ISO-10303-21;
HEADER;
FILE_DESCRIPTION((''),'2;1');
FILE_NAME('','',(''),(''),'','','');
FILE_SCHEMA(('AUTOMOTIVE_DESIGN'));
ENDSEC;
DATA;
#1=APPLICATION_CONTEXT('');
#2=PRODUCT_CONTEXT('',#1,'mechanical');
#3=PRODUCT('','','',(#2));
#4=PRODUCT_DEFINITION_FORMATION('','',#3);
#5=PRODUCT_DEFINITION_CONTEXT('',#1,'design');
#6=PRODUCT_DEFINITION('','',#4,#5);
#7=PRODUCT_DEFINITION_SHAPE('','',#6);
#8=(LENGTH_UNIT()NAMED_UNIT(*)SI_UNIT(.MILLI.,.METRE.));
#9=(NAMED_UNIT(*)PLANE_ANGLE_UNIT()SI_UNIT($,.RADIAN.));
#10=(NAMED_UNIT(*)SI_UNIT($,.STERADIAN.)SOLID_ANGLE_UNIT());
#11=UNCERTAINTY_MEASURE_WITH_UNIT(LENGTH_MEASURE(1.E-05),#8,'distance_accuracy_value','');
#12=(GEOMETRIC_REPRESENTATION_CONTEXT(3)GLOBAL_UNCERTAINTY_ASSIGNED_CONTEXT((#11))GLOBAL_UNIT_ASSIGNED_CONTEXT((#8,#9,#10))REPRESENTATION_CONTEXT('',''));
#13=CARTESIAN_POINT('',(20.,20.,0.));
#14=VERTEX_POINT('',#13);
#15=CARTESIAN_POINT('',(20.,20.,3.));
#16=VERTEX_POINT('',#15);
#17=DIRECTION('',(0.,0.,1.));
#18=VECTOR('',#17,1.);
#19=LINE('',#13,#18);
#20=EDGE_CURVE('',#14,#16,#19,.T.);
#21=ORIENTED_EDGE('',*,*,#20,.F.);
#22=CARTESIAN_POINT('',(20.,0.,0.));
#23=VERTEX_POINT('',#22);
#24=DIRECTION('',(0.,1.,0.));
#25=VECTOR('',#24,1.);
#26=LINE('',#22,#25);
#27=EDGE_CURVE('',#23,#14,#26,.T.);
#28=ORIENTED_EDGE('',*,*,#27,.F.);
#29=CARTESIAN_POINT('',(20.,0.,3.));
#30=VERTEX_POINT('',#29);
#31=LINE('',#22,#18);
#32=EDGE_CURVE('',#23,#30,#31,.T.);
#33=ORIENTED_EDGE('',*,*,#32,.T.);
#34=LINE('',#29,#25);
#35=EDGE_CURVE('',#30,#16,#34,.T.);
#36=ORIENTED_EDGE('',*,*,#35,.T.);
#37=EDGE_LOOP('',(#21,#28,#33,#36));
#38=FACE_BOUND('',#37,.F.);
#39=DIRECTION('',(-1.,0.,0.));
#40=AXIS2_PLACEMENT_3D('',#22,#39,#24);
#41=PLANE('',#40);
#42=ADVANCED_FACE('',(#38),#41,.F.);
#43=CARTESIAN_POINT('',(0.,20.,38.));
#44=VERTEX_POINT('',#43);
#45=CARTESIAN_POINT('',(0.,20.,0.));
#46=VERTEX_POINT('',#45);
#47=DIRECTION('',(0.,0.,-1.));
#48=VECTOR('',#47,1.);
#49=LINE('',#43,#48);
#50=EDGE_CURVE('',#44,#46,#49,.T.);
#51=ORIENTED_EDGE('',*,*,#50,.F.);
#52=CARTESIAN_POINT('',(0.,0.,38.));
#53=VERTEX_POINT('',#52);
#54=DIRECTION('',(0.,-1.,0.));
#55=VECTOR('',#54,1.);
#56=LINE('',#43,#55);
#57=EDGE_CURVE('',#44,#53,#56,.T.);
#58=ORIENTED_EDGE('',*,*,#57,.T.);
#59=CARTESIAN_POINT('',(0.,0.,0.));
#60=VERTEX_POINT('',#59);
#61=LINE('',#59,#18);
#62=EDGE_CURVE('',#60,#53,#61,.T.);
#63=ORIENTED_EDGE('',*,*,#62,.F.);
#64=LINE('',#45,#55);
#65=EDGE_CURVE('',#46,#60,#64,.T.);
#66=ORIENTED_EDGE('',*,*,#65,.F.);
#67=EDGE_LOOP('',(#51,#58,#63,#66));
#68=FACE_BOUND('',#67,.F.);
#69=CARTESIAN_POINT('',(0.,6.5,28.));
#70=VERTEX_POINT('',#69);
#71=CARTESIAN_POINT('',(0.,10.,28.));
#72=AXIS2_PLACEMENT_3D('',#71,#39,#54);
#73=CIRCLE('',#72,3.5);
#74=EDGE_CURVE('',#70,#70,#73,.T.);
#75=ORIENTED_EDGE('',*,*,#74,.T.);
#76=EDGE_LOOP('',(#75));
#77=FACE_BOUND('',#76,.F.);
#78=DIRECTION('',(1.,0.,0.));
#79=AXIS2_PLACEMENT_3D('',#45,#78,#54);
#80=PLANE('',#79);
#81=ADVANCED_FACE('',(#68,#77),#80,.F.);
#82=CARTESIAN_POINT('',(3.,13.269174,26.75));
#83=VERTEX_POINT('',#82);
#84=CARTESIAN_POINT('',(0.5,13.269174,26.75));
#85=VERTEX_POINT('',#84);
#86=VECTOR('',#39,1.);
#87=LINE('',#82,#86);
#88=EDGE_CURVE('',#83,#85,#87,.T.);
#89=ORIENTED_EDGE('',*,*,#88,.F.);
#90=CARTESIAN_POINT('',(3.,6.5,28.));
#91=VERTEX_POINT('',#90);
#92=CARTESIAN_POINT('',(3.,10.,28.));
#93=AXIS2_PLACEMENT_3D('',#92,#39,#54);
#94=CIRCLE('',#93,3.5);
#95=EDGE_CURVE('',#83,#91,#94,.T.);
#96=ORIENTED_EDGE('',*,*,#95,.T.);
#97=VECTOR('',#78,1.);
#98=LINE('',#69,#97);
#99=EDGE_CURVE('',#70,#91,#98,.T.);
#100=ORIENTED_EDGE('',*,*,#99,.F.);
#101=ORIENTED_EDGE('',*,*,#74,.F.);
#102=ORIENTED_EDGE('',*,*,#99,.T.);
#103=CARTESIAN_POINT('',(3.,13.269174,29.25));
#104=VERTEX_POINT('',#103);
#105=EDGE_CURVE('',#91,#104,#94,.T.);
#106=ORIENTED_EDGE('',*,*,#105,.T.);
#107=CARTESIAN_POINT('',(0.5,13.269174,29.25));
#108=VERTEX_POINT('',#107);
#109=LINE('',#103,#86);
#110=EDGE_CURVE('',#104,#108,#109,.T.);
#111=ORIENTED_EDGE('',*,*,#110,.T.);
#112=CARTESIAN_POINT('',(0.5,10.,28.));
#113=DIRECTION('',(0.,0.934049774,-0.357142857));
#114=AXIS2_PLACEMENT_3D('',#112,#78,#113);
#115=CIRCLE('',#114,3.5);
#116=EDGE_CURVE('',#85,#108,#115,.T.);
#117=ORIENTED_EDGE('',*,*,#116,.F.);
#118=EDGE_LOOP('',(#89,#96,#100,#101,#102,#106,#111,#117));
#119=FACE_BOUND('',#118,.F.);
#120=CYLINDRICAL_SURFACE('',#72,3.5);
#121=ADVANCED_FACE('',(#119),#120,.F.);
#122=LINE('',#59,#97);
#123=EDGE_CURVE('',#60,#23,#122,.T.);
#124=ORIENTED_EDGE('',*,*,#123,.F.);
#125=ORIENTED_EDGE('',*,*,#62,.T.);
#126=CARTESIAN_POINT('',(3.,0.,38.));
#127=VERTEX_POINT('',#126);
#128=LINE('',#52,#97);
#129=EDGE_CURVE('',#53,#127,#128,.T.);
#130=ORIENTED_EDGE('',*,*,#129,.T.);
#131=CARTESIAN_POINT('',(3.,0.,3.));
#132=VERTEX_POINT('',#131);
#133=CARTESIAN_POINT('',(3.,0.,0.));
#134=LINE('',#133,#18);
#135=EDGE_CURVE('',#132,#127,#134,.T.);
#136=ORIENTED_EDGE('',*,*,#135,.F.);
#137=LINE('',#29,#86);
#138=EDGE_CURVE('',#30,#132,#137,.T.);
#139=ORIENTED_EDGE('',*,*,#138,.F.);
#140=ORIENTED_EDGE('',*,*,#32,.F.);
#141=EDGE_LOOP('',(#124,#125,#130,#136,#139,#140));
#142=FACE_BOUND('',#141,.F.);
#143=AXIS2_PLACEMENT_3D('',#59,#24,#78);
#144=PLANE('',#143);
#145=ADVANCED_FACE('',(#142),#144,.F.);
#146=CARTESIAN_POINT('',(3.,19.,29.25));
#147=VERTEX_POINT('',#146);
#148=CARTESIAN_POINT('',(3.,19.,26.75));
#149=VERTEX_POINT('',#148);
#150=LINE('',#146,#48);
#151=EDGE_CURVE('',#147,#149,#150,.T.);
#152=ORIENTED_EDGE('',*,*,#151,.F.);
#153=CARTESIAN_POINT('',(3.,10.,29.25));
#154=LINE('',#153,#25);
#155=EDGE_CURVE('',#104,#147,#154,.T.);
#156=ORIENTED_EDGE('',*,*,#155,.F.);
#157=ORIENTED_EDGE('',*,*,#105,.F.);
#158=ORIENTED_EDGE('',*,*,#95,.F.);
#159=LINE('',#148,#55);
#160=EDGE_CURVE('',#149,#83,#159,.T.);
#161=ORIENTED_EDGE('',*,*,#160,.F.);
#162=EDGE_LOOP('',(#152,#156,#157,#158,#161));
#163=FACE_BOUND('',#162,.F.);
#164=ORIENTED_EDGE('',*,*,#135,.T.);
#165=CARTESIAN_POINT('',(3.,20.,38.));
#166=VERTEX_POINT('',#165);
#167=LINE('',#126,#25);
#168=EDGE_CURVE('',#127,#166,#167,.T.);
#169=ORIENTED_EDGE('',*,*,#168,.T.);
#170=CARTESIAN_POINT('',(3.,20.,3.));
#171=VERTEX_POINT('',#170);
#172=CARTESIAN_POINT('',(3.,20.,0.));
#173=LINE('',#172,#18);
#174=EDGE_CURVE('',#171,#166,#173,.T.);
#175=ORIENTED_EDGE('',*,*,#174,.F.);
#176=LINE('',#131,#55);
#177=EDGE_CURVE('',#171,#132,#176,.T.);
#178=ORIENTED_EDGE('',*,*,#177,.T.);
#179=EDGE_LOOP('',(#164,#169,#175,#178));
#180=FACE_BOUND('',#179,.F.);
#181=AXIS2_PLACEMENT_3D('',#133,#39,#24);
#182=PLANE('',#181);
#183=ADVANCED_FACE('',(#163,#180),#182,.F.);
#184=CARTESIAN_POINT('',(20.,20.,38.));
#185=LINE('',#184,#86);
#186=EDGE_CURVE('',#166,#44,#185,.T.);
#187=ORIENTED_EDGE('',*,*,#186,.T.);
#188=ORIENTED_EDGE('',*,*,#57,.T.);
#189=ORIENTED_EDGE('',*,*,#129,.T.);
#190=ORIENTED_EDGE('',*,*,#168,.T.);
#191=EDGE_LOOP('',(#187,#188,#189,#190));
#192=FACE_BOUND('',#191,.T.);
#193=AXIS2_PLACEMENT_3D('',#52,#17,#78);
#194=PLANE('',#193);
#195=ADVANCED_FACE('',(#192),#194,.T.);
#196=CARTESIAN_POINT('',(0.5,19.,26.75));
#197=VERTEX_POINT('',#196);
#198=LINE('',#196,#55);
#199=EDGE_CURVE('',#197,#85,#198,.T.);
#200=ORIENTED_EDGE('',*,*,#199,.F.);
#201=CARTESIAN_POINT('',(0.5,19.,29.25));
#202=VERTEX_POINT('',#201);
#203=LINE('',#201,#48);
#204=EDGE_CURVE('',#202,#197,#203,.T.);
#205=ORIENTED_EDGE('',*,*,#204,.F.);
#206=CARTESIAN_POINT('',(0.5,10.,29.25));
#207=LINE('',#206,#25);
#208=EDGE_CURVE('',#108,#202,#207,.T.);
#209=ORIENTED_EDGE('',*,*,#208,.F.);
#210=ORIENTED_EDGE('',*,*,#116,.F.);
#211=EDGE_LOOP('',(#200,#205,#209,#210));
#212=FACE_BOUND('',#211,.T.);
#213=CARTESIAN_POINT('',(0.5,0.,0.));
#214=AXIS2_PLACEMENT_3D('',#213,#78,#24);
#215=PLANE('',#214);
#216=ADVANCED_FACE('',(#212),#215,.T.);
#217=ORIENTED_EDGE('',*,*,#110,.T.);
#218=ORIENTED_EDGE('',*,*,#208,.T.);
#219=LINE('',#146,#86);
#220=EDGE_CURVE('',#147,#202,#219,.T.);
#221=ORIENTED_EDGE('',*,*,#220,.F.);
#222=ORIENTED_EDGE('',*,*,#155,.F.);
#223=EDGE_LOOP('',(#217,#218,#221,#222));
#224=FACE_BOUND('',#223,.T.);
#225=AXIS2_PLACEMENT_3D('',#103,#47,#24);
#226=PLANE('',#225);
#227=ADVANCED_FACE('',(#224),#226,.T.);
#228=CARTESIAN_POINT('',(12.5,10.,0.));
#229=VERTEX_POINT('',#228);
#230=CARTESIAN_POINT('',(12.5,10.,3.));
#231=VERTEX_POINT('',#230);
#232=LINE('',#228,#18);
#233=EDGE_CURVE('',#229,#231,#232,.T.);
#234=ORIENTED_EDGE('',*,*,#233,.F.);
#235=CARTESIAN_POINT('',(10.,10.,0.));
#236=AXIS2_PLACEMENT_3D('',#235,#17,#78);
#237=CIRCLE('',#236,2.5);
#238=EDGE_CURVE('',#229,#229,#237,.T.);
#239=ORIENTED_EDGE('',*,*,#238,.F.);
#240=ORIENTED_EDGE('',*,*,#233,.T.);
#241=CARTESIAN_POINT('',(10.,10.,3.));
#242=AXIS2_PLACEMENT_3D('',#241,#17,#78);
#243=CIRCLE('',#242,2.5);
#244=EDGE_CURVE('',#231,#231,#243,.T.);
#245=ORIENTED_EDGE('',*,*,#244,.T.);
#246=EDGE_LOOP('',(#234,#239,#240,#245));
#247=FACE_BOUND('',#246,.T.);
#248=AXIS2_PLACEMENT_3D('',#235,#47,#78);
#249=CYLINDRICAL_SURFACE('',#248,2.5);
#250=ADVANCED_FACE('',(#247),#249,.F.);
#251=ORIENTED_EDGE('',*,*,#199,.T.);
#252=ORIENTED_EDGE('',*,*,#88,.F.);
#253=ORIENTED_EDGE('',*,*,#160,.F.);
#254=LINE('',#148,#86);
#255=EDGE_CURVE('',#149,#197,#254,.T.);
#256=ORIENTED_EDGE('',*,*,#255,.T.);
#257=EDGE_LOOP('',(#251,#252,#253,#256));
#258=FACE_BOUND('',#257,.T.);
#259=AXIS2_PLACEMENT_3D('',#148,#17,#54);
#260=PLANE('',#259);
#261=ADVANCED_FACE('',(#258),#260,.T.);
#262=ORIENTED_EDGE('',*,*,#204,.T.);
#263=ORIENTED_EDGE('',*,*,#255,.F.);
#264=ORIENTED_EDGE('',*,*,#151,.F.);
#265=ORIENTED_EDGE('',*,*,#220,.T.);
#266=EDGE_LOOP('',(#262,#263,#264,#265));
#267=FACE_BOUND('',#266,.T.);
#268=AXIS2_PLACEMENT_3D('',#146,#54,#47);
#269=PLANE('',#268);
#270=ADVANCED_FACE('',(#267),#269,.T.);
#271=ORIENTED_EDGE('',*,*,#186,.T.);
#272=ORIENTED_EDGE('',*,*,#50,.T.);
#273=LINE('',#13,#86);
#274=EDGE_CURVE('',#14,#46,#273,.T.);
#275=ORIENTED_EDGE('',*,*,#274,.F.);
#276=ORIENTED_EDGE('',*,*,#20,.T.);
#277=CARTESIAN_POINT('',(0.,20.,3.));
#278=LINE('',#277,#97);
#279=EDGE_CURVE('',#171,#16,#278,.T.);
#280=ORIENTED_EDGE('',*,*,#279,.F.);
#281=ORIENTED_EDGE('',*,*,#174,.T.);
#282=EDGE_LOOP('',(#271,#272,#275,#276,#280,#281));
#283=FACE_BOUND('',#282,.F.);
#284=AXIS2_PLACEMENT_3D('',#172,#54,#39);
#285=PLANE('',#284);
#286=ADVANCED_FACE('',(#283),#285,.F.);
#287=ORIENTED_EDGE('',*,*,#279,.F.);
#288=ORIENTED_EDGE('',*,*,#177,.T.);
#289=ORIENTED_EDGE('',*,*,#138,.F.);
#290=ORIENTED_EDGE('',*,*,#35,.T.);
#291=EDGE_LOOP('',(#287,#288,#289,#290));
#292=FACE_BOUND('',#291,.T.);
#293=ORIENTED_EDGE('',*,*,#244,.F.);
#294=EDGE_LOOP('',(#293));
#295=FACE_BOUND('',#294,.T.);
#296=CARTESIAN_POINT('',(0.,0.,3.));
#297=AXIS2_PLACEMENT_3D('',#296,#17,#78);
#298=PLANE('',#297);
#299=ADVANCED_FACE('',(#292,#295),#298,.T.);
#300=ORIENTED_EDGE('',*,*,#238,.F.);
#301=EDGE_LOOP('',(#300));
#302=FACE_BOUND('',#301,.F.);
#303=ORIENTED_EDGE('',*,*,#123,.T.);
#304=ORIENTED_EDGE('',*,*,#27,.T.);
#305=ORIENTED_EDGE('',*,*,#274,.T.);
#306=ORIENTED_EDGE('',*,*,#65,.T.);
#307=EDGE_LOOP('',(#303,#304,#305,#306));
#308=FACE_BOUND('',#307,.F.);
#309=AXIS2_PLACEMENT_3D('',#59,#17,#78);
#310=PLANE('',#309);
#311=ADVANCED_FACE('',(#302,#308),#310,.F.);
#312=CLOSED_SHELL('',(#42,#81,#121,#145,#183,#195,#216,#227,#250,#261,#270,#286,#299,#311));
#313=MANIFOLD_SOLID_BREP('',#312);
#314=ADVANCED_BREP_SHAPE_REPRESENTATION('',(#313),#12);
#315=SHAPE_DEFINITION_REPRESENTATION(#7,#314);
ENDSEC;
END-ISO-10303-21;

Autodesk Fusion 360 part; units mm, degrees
sketch "Sketch1" plane through (0, 0, 0) normal (0, 0, 1) x (1, 0, 0)
  line L0 (0, 0) -> (20, 0)
  line L1 (20, 0) -> (20, 20)
  line L2 (20, 20) -> (0, 20)
  line L3 (0, 20) -> (0, 0)
  line L4 (0, 0) -> (3, 0)
  line L5 (3, 0) -> (3, 20)
  line L6 (3, 20) -> (0, 20)
  line L7 (0, 20) -> (0, 0)
  line L8 (10, 0) -> (10, 20) construction
  circle A0 centre (10, 10) radius 2.5
  dimension "d7" = 20
  dimension "d8" = 20
  dimension "d9" = 3
  dimension "d10" = 20
  dimension "d12" = 5
extrude "Extrude1" add sketch "Sketch1" along normal blind 3
extrude "Extrude2" add sketch "Sketch1" along normal blind 38 contours L0 L2 L3 L4 L5 L6 L7
sketch "Sketch2" plane through (0, 0, 0) normal (-1, 0, 0) x (0, -1, 0)
  line L0 (-20, 0) -> (0, 0)
  line L1 (0, 0) -> (0, 38)
  line L2 (0, 38) -> (-20, 38)
  line L3 (-20, 38) -> (-20, 0)
  line L4 (-20, 38) -> (0, 18) construction
  line L5 (-20, 38) -> (8.2843, 38) construction
  line L6 (-10, 38) -> (-10, 0) construction
  circle A0 centre (-10, 28) radius 3.5
  dimension "d17" = 45
  dimension "d18" = 7
extrude "Extrude3" cut sketch "Sketch2" against normal up to surface (3 mm away) contours A0
sketch "Sketch3" plane through (3, 0, 0) normal (1, 0, 0) x (0, 1, 0)
  circle A0 centre (10, 28) radius 3.5
  line L0 (0, 3) -> (20, 3)
  line L1 (20, 3) -> (20, 38)
  line L2 (20, 38) -> (0, 38)
  line L3 (0, 38) -> (0, 3)
  line L4 (10, 28) -> (10, 29.25)
  line L5 (10, 29.25) -> (19, 29.25)
  line L6 (19, 29.25) -> (19, 26.75)
  line L7 (19, 26.75) -> (10, 26.75)
  line L8 (10, 26.75) -> (10, 29.25)
  dimension "d21" = 1.25
  dimension "d23" = 9
  dimension "d24" = 2.5
extrude "Extrude4" cut sketch "Sketch3" against normal blind 2.5 contours A0 L5 L6 L7
equation "pot_hole_diameter = 7 mm"
equation "pot_turn_stop_slot_depth = 2.5 mm"
equation "pot_turn_stop_slot_width = 2.5 mm"
equation "thickness = 3 mm"
equation "mount_width = 20 mm"
equation "mount_height = 35 mm"
equation "d7 = mount_width"
equation "d8 = mount_width"
equation "d9 = thickness"
equation "d10 = mount_width"
equation "screw_hole_diameter = 5 mm"
equation "d12 = screw_hole_diameter"
equation "d13 = thickness"
equation "d15 = thickness + mount_height"
equation "d18 = pot_hole_diameter"
equation "d21 = pot_turn_stop_slot_width / 2"
equation "pot_slot_length = 9 mm"
equation "d23 = pot_slot_length"
equation "d24 = pot_turn_stop_slot_width"
equation "d25 = -pot_turn_stop_slot_depth"
